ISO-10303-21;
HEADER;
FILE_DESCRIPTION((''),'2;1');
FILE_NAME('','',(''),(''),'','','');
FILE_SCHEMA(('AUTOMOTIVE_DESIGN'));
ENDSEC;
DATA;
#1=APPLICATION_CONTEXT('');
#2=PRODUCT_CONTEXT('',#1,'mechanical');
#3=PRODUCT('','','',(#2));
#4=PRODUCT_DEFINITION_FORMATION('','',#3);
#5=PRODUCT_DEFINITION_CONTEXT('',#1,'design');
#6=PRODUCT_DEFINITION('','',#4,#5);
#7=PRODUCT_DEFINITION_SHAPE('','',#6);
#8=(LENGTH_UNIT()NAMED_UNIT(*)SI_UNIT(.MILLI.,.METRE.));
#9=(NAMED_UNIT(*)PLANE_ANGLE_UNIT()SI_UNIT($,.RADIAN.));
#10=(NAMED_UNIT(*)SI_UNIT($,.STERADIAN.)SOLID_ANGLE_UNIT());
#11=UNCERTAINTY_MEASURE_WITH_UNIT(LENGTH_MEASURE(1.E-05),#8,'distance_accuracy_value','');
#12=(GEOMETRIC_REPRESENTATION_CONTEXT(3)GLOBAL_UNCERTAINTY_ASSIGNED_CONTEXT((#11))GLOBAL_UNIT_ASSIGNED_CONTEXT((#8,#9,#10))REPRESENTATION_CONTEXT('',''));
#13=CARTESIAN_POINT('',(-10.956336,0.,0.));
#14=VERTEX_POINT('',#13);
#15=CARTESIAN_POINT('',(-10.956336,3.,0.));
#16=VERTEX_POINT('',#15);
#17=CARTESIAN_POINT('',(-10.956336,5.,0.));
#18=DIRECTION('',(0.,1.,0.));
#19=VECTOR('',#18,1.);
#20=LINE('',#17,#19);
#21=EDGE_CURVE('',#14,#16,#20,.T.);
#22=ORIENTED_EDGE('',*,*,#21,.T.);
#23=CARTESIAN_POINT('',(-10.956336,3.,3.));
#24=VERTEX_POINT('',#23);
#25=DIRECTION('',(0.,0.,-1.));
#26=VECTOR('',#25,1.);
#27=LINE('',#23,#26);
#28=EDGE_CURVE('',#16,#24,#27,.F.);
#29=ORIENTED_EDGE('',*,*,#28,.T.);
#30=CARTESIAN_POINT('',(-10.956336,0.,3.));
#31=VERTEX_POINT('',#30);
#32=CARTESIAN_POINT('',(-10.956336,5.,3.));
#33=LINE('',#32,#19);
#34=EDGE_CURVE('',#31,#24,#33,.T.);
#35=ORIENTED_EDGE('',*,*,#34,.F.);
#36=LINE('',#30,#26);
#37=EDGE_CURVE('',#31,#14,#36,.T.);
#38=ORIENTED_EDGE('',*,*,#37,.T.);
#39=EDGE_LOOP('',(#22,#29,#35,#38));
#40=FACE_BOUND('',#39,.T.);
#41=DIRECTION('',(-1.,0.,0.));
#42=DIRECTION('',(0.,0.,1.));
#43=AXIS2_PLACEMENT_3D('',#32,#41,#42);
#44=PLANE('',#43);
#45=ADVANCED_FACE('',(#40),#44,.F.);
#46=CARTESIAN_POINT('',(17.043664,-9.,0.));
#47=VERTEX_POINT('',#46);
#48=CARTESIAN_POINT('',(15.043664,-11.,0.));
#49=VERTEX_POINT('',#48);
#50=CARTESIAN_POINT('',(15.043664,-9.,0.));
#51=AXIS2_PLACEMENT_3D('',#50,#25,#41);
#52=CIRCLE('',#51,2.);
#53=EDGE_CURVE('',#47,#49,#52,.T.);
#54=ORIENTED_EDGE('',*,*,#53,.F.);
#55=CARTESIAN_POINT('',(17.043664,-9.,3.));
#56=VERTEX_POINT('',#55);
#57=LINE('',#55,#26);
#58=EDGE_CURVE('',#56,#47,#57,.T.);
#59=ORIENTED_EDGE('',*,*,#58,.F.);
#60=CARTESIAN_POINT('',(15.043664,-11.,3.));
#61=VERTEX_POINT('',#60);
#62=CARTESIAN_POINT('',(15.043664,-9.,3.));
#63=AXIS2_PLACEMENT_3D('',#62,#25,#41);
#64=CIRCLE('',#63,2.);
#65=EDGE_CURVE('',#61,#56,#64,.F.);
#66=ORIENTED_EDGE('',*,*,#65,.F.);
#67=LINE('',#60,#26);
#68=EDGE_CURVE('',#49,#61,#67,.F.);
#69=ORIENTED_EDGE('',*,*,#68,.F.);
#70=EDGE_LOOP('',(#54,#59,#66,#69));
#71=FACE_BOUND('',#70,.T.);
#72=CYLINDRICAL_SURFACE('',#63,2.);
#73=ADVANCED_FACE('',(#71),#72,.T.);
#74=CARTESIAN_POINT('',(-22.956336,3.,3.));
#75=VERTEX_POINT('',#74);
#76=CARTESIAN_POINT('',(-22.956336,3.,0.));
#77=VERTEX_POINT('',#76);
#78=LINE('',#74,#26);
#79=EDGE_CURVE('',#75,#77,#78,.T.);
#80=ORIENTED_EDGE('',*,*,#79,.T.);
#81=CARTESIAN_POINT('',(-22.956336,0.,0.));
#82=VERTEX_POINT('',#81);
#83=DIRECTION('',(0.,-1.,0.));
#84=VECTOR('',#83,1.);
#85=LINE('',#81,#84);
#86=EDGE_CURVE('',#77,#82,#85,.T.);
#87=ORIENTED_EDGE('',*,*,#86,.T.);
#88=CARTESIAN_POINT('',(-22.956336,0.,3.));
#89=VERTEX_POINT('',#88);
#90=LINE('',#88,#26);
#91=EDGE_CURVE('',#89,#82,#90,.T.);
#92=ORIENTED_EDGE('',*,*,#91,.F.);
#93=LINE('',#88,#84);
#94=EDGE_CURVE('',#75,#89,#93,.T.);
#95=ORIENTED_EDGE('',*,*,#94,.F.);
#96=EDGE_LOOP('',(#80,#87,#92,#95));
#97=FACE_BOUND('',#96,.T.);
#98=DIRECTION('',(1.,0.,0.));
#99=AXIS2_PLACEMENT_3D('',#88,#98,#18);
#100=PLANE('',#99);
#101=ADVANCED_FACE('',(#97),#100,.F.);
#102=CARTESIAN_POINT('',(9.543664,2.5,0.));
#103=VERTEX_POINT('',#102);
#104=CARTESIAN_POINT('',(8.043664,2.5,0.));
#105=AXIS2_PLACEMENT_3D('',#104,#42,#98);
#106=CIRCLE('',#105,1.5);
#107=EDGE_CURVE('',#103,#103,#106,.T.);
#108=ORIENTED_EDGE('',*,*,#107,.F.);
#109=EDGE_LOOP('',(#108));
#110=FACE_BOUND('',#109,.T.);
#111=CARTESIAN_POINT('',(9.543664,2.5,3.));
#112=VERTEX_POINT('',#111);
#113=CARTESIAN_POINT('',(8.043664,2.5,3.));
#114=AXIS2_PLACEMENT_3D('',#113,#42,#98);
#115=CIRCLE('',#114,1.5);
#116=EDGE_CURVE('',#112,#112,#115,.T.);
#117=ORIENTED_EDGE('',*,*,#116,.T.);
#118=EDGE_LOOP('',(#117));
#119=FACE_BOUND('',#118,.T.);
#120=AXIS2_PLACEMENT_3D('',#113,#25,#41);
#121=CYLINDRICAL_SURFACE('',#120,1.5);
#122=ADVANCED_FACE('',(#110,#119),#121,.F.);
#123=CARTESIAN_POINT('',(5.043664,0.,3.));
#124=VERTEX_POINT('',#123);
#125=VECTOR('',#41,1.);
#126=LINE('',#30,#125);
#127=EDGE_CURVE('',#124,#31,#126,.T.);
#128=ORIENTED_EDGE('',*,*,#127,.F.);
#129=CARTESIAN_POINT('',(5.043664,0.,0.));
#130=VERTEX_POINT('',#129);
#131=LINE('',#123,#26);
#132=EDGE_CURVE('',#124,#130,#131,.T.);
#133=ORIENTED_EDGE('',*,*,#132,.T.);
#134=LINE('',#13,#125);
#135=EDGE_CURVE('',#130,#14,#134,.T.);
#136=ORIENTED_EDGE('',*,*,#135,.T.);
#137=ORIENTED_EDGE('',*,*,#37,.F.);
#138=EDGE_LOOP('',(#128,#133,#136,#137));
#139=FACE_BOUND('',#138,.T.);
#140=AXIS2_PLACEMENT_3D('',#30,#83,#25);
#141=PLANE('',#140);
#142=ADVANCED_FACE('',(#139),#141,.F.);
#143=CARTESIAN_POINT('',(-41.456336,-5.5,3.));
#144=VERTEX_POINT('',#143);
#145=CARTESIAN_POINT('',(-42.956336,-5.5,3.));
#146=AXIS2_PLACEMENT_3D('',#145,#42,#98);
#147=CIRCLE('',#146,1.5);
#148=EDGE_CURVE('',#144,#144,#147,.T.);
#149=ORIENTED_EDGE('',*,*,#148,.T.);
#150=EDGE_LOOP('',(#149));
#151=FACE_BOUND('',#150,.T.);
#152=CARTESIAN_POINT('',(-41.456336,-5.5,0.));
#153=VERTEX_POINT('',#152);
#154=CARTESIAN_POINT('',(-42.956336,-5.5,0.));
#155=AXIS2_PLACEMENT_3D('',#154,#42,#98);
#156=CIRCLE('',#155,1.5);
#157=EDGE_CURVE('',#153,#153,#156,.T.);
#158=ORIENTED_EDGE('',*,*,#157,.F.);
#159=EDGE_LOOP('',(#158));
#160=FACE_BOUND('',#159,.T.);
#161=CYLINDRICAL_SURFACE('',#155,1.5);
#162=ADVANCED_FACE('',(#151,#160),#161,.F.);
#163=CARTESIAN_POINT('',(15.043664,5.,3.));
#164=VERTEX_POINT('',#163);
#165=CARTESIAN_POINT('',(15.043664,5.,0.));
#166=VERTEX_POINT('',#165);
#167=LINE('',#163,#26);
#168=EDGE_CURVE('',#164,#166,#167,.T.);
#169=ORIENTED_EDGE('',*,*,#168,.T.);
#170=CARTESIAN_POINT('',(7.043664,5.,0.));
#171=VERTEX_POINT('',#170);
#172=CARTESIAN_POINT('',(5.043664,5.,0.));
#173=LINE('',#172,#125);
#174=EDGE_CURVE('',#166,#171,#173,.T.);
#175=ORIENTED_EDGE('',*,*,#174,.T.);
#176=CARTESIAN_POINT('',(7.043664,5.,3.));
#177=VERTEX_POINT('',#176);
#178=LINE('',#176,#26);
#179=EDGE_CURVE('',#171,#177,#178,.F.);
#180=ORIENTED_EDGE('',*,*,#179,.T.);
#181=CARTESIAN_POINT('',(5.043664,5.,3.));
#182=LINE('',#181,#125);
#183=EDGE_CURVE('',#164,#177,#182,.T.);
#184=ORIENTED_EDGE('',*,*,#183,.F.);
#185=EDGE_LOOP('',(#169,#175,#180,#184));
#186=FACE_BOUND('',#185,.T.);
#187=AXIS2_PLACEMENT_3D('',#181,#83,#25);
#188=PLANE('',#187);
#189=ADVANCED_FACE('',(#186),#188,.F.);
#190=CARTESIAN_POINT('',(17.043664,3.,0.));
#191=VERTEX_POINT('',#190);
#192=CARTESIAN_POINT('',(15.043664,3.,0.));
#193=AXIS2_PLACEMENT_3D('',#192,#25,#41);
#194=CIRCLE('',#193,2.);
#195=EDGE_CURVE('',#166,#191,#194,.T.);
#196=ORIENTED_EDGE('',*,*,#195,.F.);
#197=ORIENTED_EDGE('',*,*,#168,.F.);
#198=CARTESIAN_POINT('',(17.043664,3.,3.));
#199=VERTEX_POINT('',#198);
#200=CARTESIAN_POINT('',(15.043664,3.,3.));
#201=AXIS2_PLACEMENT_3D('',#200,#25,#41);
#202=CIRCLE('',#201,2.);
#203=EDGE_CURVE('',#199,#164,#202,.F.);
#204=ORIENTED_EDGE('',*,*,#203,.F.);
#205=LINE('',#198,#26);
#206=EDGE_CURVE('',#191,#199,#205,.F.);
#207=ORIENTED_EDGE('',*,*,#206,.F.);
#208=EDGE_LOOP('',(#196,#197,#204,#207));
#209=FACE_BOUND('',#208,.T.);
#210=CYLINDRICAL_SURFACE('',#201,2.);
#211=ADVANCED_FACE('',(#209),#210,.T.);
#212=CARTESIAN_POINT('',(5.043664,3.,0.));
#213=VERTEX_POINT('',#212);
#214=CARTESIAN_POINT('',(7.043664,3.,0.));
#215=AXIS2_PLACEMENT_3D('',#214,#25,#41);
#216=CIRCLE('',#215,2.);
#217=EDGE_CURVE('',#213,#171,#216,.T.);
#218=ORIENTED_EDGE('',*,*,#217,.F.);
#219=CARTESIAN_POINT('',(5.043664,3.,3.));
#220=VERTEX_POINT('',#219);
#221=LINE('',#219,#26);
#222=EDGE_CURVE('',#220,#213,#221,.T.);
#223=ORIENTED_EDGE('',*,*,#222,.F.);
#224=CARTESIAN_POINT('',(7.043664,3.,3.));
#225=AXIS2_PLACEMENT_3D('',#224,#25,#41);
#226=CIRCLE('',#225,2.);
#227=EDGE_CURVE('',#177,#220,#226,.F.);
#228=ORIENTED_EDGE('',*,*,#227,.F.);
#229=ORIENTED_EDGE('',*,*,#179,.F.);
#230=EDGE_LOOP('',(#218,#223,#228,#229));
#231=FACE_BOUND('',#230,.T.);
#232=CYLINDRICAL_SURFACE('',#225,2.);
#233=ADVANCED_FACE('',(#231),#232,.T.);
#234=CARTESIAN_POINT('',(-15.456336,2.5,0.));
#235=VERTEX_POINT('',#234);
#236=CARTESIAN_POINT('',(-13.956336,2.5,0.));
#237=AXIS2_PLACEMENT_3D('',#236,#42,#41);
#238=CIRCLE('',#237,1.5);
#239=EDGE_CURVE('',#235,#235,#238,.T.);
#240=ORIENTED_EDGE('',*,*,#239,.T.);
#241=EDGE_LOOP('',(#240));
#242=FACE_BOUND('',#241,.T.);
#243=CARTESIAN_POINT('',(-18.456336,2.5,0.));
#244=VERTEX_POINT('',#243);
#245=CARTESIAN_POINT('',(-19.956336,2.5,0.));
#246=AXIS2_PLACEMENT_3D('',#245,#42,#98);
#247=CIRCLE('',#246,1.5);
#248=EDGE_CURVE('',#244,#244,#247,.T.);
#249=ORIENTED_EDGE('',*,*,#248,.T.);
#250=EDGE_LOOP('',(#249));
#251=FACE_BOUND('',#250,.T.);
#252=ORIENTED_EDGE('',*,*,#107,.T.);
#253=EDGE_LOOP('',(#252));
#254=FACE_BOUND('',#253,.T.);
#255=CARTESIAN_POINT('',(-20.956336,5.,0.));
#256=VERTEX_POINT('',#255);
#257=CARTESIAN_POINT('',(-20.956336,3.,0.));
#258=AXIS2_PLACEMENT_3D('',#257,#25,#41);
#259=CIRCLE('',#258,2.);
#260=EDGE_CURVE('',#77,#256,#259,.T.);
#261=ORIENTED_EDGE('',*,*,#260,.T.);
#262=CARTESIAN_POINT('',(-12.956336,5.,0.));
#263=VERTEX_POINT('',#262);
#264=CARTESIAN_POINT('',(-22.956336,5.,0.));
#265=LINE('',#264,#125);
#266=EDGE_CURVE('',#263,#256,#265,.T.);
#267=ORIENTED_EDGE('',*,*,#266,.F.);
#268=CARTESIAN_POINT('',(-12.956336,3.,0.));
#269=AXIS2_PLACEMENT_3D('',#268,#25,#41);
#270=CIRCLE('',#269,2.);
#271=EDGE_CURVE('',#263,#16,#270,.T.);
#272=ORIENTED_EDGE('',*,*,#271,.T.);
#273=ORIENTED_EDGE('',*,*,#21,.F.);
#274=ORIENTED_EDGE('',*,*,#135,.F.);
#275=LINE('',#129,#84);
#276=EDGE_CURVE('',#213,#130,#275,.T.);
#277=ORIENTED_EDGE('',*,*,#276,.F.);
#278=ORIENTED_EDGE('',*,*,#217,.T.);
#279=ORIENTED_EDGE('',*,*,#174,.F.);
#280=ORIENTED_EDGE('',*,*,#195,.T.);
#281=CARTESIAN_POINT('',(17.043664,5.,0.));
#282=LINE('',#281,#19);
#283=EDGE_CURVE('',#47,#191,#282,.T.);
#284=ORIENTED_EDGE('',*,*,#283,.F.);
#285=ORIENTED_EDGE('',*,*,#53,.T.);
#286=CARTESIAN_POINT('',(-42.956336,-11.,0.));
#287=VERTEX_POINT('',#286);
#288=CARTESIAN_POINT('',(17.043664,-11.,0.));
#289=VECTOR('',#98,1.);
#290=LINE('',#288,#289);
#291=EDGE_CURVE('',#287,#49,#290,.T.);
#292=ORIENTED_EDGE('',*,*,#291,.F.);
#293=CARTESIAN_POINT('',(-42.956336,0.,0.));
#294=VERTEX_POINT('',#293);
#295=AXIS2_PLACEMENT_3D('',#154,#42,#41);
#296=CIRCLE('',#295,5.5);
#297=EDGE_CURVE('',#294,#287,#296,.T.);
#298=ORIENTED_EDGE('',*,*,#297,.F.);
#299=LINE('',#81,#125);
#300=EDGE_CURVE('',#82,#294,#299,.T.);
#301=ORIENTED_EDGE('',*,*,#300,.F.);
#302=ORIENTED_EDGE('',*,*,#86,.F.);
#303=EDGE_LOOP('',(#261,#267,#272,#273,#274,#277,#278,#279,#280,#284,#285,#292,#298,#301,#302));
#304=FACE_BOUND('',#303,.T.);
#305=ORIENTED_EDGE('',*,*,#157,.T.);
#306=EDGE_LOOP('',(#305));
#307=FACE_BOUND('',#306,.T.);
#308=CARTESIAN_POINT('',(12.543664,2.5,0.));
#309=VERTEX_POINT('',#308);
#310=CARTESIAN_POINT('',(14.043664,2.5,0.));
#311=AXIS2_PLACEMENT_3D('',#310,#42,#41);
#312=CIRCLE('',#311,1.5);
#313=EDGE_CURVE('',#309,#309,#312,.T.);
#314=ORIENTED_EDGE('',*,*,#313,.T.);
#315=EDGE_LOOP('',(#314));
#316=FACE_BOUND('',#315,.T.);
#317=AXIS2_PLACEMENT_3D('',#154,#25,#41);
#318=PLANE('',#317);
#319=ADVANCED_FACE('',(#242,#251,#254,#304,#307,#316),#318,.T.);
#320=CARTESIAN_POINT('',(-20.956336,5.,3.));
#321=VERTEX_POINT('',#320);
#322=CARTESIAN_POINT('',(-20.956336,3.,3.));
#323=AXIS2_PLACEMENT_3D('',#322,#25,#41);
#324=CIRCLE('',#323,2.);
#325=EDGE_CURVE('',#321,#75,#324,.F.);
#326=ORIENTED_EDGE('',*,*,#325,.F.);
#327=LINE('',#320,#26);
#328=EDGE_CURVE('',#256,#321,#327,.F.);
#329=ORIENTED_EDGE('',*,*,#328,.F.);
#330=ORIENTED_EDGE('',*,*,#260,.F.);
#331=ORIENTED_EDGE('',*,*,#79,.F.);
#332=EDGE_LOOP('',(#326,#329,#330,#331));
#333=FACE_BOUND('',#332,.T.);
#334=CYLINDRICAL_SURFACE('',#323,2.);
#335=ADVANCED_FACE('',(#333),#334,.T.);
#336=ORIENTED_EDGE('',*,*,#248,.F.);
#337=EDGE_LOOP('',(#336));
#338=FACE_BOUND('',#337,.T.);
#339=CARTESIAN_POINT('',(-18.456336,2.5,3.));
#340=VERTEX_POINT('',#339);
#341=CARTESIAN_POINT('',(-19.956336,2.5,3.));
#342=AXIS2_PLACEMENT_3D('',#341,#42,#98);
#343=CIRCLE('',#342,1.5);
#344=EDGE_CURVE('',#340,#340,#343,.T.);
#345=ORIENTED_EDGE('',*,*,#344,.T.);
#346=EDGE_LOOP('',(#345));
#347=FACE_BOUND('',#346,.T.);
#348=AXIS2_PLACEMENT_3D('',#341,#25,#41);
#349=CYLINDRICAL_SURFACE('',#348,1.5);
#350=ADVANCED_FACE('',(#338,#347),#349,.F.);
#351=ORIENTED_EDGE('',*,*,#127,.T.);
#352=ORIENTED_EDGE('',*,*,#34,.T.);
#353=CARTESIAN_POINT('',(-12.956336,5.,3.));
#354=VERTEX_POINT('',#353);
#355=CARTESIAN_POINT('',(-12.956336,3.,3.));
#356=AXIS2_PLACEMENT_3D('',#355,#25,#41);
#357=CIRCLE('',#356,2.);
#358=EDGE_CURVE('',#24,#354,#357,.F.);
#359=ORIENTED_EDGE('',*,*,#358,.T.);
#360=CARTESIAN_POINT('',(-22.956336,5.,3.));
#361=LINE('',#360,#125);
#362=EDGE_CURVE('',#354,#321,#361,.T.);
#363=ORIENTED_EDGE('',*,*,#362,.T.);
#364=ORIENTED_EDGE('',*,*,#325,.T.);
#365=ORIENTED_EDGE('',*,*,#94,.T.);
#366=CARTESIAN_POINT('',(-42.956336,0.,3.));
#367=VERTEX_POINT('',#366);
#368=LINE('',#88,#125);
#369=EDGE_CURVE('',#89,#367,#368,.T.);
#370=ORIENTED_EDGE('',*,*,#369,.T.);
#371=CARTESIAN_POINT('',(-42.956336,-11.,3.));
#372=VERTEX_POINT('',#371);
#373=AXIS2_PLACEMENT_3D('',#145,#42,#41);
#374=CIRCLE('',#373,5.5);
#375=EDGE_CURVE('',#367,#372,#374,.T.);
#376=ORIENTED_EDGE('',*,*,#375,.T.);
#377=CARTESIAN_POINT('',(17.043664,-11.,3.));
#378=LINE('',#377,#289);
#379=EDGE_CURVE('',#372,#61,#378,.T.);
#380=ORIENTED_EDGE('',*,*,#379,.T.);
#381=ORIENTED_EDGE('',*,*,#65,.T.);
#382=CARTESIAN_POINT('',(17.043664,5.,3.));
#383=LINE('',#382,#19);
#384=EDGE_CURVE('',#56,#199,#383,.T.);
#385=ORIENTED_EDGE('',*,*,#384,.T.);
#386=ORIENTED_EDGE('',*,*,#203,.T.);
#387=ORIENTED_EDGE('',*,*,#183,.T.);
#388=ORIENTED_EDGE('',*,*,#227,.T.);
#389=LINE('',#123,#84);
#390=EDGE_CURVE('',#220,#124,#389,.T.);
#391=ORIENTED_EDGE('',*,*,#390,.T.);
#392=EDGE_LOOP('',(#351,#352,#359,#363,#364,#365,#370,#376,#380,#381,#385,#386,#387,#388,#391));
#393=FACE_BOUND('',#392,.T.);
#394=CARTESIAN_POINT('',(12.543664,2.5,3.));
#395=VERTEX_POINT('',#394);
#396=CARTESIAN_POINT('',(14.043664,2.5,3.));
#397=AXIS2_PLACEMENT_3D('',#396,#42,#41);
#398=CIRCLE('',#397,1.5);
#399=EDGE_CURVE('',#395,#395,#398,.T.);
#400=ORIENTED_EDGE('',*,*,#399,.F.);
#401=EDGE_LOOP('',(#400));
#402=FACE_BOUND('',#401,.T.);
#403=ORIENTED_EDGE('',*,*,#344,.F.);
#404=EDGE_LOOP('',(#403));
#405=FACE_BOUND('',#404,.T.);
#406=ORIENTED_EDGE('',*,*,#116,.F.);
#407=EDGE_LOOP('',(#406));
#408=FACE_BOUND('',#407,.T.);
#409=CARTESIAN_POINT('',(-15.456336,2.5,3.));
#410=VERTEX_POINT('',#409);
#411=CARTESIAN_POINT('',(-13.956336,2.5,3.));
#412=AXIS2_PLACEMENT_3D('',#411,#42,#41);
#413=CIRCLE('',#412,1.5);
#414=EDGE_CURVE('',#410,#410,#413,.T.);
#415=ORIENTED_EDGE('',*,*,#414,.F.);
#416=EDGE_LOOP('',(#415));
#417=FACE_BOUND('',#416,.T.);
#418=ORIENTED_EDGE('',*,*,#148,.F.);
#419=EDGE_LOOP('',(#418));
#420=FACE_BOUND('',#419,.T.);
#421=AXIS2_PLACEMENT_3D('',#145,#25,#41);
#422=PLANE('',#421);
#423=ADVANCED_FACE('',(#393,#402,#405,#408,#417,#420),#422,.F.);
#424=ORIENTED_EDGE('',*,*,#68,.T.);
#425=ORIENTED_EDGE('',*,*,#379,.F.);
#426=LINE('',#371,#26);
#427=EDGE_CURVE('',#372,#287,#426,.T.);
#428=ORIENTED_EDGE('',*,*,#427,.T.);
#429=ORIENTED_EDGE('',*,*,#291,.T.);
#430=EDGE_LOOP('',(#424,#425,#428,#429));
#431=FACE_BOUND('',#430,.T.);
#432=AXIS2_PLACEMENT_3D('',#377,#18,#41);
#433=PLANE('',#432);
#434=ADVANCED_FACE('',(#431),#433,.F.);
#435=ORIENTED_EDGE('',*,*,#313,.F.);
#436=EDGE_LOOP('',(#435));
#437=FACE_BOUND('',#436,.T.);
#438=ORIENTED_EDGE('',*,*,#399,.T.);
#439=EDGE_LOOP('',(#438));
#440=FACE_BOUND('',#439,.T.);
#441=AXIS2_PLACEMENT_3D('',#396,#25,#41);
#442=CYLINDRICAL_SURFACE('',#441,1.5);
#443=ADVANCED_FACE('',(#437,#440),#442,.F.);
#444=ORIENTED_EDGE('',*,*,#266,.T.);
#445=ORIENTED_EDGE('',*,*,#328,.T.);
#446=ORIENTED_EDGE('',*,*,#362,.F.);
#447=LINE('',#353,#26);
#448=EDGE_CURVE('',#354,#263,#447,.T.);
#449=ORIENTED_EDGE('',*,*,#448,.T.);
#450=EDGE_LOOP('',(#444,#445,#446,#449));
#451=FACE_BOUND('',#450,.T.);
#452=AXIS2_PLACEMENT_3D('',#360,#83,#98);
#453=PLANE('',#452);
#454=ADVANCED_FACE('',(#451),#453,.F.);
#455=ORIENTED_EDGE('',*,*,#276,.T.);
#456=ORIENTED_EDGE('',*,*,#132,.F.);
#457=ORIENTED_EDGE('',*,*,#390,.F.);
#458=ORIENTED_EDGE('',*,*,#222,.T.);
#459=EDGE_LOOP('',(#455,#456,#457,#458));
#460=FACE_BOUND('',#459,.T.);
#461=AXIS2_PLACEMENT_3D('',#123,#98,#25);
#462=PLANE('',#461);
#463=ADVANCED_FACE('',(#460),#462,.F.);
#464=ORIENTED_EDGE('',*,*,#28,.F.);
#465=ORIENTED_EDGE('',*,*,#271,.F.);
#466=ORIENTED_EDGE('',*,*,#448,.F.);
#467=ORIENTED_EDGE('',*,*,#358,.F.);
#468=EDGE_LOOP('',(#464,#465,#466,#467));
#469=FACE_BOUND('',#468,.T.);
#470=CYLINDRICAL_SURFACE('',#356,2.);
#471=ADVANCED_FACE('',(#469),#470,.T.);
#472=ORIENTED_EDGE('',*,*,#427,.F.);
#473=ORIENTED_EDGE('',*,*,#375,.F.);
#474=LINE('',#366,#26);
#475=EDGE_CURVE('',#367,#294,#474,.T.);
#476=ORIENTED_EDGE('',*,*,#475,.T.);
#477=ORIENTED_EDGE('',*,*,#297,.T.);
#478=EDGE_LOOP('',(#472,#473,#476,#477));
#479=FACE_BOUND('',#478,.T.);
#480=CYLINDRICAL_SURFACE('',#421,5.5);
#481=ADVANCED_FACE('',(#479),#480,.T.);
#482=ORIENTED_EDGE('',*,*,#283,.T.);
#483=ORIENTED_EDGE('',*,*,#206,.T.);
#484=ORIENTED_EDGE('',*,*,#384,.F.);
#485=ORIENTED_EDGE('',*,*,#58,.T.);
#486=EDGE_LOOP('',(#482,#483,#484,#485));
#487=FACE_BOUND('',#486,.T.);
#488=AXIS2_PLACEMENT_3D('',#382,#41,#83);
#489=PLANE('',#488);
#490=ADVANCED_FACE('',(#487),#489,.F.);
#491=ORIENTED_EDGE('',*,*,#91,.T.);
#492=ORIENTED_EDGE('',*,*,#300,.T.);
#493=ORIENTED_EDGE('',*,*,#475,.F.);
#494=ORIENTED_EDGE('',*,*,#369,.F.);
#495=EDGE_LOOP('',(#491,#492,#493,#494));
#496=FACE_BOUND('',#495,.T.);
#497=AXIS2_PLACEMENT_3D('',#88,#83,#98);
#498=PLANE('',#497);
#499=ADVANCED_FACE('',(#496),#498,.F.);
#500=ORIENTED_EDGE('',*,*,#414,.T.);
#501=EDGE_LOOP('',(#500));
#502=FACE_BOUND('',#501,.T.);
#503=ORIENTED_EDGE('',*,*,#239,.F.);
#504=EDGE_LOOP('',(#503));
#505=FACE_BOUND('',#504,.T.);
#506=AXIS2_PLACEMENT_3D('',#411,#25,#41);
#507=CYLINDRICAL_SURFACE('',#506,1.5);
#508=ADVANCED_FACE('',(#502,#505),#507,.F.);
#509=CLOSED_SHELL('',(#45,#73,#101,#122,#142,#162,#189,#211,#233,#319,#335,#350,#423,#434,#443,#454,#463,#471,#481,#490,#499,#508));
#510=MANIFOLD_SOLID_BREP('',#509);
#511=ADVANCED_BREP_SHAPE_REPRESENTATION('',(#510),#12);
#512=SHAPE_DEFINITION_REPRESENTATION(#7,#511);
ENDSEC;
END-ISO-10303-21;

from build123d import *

# Parameters (mm, degrees)
ESQUISSE1_R             = 1.5
BOSS_EXTRU_1_DEPTH      = 3
ESQUISSE2_R             = 1.5
ENL_V_MAT_EXTRU_1_DEPTH = 50.779679597
CONG_1_R                = 2


with BuildPart() as part:
    # Esquisse1 → Boss.-Extru.1 (new body)
    with BuildSketch(Plane.XY):
        with BuildLine():
            Line((-22.956336023, 0), (-22.956336023, 5))
            Line((-22.956336023, 5), (-10.956336023, 5))
            Line((-10.956336023, 5), (-10.956336023, 0))
            Line((-10.956336023, 0), (5.043663977, 0))
            Line((5.043663977, 0), (5.043663977, 5))
            Line((5.043663977, 5), (17.043663977, 5))
            Line((17.043663977, 5), (17.043663977, -11))
            Line((17.043663977, -11), (-42.956336023, -11))
            ThreePointArc((-42.956336023, -11), (-48.456336023, -5.5), (-42.956336023, 0))
            Line((-42.956336023, 0), (-22.956336023, 0))
        make_face()
        with Locations((-19.956336023, 2.5)):
            Circle(ESQUISSE1_R, mode=Mode.SUBTRACT)
        with Locations(Location((-13.956336023, 2.5, 0), (0, 0, 180))):
            Circle(ESQUISSE1_R, mode=Mode.SUBTRACT)
        with Locations((8.043663977, 2.5)):
            Circle(ESQUISSE1_R, mode=Mode.SUBTRACT)
        with Locations(Location((14.043663977, 2.5, 0), (0, 0, 180))):
            Circle(ESQUISSE1_R, mode=Mode.SUBTRACT)
    extrude(amount=BOSS_EXTRU_1_DEPTH)

    # Esquisse2 → Enlèv. mat.-Extru.1 (cut, through all)
    with BuildSketch(Plane.XY.offset(3)):
        with Locations((-42.956336023, -5.5)):
            Circle(ESQUISSE2_R)
    extrude(amount=-ENL_V_MAT_EXTRU_1_DEPTH, mode=Mode.SUBTRACT)

    # Congé1
    cong_1_edges = [part.edges().sort_by_distance(p)[0] for p in [
        (-22.956336023, 5, 1.5),
        (-10.956336023, 5, 1.5),
        (5.043663977, 5, 1.5),
        (17.043663977, 5, 1.5),
        (17.043663977, -11, 1.5),
    ]]
    fillet(cong_1_edges, radius=CONG_1_R)


solid = part.part
